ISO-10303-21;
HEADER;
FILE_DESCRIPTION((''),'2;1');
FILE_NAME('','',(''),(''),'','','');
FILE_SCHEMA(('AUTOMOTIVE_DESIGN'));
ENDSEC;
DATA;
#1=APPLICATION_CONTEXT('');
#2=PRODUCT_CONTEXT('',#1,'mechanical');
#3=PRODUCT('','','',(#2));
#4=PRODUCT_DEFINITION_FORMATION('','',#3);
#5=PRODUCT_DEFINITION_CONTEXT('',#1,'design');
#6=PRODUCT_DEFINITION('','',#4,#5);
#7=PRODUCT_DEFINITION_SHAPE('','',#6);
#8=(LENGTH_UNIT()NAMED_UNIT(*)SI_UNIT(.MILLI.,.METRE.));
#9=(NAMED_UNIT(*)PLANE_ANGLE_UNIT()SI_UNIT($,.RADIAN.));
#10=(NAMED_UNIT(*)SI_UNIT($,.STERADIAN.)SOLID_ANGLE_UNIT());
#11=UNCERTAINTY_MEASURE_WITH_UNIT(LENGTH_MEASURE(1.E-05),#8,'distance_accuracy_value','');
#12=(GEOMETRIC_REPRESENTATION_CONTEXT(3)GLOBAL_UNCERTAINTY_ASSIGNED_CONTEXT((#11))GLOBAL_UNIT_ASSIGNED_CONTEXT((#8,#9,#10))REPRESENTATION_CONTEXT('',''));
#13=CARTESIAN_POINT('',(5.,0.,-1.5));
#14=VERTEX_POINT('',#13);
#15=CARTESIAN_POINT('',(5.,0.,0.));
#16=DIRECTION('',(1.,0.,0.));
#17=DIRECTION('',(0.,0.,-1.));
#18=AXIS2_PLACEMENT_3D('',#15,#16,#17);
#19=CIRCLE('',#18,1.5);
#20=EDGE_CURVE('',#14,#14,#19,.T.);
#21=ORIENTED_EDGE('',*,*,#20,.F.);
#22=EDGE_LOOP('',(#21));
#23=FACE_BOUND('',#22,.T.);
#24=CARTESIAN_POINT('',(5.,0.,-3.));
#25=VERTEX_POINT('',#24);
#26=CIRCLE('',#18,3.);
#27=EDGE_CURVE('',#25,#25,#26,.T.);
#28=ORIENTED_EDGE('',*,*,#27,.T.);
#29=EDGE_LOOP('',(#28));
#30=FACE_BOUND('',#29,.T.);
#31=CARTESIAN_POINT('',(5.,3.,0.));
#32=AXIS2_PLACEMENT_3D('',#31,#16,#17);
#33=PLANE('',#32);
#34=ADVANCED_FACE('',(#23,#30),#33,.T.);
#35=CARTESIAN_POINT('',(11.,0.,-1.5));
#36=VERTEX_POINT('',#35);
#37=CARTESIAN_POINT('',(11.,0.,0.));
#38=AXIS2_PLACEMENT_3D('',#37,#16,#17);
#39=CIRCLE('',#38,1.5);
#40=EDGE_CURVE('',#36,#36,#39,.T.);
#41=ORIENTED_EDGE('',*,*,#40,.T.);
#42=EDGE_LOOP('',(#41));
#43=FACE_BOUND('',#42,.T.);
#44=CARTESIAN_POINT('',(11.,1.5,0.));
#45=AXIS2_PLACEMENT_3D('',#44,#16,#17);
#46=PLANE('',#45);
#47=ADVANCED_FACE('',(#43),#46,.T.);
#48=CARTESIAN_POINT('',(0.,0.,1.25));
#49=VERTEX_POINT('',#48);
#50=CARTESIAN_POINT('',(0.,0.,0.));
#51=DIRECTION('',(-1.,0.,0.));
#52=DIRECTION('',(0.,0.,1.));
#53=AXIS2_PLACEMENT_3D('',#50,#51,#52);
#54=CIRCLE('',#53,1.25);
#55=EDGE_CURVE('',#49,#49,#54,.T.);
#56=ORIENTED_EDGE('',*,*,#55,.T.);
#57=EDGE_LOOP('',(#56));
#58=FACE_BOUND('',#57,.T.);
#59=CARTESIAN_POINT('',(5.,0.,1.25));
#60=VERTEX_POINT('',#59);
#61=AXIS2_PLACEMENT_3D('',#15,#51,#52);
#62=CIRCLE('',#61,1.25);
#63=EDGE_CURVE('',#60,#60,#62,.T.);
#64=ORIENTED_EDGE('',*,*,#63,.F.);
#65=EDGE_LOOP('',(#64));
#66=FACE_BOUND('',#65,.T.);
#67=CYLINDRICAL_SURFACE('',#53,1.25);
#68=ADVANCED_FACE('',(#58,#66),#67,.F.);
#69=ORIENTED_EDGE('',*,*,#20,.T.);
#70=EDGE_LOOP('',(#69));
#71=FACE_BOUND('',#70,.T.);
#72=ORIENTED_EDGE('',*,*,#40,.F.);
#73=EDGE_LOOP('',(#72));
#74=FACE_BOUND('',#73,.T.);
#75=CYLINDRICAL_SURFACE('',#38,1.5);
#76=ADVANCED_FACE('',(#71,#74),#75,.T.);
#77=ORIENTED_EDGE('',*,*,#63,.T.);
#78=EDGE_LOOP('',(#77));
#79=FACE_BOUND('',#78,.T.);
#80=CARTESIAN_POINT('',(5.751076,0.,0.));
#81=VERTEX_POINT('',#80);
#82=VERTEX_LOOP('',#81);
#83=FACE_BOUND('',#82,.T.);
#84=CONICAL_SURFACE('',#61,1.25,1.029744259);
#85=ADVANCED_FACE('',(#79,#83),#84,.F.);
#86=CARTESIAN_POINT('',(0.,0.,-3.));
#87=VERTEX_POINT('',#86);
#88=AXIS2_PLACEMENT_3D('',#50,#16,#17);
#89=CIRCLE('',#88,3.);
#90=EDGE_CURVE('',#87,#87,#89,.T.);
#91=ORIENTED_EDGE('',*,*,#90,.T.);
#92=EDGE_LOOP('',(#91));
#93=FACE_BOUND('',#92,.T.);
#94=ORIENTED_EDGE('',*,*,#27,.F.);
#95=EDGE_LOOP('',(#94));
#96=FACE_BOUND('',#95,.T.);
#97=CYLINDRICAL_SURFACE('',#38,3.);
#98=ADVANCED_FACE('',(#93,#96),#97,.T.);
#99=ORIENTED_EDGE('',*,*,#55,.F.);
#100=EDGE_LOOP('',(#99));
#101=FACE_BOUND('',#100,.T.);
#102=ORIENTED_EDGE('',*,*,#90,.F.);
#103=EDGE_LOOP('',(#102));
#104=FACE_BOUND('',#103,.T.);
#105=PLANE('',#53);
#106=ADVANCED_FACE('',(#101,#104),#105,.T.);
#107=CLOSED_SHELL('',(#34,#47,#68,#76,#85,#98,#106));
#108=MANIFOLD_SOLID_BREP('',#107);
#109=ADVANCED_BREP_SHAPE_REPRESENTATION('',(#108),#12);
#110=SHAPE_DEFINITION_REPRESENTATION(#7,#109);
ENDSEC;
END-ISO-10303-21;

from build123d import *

# Parameters (mm, degrees)
M3_GEWINDEBOHRUNG1_D     = 2.5
M3_GEWINDEBOHRUNG1_DEPTH = 5
M3_GEWINDEBOHRUNG1_TIP   = 0.751075774


with BuildPart() as part:
    # Skizze1 → Rotation1 (revolve)
    with BuildSketch(Plane.XY):
        Polygon((0, 3), (5, 3), (5, 1.5), (11, 1.5), (11, 0), (0, 0), align=None)
    revolve(axis=Axis((11, 0, 0), (-1, 0, 0)))

    # M3 Gewindebohrung1
    with Locations(Plane.ZY):
        with Locations((0, 0)):
            Hole(M3_GEWINDEBOHRUNG1_D / 2, depth=M3_GEWINDEBOHRUNG1_DEPTH)
            with Locations((0, 0, -(M3_GEWINDEBOHRUNG1_DEPTH + M3_GEWINDEBOHRUNG1_TIP / 2))):  # 118° drill point
                Cone(0, M3_GEWINDEBOHRUNG1_D / 2, M3_GEWINDEBOHRUNG1_TIP, mode=Mode.SUBTRACT)


solid = part.part
